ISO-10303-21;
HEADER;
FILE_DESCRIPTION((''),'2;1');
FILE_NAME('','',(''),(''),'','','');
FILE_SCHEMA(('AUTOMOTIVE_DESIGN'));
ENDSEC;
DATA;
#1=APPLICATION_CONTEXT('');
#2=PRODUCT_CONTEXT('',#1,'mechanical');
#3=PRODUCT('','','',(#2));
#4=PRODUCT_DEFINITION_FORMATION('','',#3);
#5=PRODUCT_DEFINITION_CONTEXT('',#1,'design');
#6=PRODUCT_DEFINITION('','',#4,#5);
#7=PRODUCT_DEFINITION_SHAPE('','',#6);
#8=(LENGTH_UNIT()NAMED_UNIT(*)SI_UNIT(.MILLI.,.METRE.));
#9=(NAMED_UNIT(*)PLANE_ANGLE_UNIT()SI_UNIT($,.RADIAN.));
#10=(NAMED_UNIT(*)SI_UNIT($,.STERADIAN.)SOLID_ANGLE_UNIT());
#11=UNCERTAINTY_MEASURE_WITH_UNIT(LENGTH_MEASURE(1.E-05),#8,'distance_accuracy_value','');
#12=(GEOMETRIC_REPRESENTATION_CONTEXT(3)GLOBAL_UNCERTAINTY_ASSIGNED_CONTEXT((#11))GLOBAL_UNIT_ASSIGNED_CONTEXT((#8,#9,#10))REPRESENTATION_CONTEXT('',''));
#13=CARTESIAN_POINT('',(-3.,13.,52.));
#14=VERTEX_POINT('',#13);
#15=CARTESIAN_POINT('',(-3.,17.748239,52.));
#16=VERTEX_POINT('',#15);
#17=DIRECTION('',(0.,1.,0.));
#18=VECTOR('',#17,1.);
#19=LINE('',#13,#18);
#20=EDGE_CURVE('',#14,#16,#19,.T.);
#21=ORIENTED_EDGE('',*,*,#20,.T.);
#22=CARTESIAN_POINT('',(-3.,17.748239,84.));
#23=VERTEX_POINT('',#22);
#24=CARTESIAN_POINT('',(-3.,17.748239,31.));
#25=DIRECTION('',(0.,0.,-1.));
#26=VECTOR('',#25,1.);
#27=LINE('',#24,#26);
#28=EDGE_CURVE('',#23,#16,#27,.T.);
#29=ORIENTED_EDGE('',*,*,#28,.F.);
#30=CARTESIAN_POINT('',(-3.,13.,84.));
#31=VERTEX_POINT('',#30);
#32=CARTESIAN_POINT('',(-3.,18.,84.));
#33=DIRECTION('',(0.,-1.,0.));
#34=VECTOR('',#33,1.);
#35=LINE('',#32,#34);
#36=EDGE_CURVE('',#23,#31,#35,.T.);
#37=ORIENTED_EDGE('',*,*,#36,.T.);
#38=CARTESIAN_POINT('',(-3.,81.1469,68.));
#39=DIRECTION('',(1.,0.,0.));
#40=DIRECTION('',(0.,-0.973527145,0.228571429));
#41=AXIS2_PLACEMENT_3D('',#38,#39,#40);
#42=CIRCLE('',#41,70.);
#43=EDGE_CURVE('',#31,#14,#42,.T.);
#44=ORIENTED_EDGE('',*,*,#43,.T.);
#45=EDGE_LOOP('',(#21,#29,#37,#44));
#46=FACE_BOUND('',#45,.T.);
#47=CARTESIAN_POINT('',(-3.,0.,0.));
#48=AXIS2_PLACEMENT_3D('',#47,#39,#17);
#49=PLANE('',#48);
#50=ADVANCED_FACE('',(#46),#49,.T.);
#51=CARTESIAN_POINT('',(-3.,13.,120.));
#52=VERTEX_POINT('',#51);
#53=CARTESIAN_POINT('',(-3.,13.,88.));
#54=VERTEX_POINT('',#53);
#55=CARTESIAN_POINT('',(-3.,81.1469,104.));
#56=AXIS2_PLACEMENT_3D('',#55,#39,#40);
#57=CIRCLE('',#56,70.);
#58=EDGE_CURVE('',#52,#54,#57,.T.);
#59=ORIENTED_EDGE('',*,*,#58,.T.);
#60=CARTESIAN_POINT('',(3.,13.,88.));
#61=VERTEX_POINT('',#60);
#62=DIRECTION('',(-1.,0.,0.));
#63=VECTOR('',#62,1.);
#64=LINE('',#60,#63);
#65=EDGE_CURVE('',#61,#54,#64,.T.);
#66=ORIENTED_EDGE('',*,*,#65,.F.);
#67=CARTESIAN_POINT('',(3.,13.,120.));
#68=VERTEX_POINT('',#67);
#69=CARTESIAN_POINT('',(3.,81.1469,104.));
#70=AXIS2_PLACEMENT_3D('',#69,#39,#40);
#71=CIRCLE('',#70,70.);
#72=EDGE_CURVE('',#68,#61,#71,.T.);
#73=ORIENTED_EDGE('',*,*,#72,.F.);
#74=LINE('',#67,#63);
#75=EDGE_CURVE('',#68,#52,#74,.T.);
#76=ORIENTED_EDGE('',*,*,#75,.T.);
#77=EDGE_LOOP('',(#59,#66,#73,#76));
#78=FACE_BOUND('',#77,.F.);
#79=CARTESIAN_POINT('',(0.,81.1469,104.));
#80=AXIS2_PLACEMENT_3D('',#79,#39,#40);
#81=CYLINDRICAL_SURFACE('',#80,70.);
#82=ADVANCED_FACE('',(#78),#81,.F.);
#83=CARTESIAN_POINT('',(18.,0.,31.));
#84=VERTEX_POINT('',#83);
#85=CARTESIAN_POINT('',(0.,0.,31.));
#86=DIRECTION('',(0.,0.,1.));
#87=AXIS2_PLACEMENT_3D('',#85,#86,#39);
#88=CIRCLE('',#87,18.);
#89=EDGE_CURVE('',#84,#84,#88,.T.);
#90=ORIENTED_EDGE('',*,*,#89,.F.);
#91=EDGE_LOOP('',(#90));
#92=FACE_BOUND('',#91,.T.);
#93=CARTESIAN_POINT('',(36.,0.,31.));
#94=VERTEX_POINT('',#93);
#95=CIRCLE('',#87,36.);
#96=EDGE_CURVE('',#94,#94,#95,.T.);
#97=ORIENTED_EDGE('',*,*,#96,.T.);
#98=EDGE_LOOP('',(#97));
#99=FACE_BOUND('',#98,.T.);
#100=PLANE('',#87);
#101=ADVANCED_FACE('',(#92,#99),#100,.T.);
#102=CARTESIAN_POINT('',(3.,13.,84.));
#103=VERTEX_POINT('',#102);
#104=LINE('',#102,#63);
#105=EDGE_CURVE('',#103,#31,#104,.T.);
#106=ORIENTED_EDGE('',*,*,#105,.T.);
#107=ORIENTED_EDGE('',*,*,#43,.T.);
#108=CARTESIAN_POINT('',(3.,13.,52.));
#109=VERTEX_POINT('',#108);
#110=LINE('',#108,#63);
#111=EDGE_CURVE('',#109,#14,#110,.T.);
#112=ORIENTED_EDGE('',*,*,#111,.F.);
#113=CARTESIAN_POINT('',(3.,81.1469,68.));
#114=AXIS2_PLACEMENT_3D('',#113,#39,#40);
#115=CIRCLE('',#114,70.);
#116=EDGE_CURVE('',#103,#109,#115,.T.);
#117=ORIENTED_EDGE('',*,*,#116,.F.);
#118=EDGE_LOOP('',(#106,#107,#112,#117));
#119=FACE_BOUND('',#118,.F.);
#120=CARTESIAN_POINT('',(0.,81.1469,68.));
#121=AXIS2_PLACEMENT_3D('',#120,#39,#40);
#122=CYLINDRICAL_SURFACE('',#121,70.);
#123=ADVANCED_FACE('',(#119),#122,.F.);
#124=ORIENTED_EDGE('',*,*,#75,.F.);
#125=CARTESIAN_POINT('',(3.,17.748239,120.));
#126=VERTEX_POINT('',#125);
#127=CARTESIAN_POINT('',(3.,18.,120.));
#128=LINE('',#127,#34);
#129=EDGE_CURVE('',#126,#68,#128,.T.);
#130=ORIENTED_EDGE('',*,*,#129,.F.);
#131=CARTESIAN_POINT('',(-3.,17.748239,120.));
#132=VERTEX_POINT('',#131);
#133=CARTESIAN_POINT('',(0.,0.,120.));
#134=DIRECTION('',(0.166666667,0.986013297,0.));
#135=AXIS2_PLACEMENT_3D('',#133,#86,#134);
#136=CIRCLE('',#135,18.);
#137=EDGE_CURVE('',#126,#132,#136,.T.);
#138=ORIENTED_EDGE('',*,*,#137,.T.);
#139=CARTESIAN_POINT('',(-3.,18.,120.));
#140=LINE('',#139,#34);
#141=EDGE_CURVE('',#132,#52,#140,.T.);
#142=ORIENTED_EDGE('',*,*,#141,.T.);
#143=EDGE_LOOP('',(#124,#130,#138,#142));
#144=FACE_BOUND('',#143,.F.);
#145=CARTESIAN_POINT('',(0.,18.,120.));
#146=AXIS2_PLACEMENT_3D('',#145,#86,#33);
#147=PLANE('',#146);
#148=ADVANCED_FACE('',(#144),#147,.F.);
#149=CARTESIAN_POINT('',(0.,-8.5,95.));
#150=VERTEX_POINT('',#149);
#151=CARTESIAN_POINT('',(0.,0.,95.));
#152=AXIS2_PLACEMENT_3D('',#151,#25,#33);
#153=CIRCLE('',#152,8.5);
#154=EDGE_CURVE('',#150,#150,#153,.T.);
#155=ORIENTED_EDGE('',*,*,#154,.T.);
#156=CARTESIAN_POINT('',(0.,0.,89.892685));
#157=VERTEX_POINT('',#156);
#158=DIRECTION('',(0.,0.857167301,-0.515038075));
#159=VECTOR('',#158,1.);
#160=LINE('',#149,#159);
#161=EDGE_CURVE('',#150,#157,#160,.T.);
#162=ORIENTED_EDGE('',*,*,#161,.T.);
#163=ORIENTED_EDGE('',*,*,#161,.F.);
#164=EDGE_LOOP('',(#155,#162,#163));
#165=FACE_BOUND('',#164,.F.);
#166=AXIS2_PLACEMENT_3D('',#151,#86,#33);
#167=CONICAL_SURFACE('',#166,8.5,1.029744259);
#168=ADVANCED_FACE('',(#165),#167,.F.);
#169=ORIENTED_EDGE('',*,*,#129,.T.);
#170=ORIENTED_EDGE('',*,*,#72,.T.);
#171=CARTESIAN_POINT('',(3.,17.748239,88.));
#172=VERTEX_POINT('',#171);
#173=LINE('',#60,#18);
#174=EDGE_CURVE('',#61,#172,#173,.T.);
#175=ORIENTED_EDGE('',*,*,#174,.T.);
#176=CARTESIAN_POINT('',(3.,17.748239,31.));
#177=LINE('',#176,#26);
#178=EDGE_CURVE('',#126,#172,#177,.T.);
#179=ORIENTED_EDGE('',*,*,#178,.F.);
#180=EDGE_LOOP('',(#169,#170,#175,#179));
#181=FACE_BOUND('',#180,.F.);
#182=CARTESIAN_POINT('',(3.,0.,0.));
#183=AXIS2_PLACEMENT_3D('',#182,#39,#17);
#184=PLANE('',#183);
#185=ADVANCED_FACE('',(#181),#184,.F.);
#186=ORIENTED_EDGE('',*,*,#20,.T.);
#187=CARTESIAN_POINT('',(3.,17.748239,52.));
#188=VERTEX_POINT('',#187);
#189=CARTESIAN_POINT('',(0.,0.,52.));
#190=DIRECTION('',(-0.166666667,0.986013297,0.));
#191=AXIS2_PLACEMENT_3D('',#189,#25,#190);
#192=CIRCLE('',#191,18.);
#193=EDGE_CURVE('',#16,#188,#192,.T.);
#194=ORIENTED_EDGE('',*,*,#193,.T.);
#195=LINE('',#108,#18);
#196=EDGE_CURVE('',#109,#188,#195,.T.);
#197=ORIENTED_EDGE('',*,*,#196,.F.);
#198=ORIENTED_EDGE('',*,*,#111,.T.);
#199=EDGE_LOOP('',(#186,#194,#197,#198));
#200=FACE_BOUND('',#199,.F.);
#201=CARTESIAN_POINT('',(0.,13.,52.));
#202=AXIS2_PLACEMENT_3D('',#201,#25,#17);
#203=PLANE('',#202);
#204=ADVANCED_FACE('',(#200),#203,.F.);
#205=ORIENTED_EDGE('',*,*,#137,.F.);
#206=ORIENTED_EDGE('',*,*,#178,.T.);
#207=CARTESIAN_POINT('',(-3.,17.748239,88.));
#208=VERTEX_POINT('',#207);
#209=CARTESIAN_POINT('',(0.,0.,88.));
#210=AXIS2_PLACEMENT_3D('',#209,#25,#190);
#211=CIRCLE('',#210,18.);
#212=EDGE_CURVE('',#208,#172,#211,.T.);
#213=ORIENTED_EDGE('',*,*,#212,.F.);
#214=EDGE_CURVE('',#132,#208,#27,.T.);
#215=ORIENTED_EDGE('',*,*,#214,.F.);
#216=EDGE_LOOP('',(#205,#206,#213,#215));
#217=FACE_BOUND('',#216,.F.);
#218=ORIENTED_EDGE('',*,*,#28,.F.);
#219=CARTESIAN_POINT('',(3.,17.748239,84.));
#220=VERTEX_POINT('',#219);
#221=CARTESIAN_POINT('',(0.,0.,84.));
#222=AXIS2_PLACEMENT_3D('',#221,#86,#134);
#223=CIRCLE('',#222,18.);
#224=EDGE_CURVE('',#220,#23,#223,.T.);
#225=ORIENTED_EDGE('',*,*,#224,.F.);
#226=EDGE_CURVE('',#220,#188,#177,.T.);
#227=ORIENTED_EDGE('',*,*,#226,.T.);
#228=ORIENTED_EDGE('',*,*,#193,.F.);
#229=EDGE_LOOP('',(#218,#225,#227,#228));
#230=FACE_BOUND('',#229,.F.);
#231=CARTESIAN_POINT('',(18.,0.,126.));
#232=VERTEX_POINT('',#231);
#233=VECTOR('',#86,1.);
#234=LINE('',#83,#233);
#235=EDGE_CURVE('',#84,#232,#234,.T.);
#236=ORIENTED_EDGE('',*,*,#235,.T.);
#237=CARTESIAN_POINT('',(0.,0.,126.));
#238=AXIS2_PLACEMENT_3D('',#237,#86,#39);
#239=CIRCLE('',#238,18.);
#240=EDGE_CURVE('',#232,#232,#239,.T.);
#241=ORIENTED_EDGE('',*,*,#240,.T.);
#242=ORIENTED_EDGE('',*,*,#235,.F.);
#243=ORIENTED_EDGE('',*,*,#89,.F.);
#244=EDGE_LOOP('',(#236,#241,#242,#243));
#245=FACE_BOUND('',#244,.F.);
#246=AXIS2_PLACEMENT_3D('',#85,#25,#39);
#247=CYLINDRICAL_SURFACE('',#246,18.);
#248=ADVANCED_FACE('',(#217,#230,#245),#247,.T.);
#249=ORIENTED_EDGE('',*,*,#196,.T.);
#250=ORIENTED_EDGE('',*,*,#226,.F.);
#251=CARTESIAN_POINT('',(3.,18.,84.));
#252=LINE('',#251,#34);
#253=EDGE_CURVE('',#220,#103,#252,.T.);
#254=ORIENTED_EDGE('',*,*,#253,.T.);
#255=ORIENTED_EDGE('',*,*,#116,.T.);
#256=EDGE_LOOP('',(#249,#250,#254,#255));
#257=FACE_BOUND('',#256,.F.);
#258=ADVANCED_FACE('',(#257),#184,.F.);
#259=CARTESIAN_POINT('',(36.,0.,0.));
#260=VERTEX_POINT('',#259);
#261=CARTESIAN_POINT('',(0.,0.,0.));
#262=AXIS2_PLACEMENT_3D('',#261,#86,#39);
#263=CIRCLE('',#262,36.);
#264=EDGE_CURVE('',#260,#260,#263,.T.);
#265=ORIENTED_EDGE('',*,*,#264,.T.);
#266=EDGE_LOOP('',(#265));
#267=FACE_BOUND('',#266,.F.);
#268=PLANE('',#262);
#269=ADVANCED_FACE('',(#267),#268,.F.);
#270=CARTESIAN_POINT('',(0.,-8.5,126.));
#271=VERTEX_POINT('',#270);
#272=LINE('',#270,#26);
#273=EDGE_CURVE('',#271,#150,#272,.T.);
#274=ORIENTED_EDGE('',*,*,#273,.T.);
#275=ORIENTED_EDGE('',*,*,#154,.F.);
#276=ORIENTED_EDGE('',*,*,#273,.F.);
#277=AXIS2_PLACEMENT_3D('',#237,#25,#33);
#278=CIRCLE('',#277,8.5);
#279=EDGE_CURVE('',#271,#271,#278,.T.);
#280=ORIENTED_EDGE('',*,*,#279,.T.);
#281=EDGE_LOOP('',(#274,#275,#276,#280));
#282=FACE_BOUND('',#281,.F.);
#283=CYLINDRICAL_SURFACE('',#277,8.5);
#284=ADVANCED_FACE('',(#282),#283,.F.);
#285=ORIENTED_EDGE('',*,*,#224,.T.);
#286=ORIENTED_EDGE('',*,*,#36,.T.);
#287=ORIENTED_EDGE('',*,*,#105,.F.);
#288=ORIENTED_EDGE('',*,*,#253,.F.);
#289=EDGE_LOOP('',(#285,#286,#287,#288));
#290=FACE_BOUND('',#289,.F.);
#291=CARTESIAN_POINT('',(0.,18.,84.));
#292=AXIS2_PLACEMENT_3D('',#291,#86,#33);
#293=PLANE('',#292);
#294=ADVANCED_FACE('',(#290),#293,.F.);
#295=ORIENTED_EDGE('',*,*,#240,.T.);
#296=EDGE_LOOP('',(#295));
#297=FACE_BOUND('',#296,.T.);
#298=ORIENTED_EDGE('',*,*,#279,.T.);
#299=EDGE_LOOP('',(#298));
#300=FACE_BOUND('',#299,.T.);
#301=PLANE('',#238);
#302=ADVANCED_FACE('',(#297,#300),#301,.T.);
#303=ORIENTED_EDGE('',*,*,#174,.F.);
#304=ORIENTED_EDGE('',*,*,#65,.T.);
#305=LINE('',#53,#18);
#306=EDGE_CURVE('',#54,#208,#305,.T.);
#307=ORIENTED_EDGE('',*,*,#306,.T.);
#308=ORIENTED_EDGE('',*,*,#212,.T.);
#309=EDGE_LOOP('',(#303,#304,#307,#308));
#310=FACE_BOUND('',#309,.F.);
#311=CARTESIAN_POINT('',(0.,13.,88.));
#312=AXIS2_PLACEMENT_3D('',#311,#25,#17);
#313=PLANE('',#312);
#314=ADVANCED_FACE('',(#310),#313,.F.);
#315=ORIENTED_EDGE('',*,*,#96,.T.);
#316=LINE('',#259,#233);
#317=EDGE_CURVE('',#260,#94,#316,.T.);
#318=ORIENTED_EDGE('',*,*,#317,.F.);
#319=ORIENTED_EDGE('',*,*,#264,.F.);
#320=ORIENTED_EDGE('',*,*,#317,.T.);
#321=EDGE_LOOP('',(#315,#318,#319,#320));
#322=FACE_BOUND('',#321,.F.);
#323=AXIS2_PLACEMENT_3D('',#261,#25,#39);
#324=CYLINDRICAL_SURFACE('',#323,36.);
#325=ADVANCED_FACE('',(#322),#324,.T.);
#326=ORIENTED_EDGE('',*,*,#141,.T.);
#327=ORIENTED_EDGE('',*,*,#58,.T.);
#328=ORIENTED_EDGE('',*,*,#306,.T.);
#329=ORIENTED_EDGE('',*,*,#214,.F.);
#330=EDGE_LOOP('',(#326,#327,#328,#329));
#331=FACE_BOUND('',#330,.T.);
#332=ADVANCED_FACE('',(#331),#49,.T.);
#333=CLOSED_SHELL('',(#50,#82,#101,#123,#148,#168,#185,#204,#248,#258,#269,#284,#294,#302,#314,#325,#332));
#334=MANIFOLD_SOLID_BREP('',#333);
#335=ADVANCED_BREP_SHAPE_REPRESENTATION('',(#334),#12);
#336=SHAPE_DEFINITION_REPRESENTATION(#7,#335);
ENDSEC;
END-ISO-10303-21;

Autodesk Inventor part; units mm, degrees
ref_plane "YZ Plane" through (0, 0, 0) normal (1, 0, 0) x (0, 1, 0)
ref_plane "XZ Plane" through (0, 0, 0) normal (0, 1, 0) x (-1, 0, 0)
ref_plane "XY Plane" through (0, 0, 0) normal (0, 0, 1) x (1, 0, 0)
sketch "Эскиз1" plane through (0, 0, 0) normal (0, 0, 1) x (1, 0, 0)
  circle A0 centre (0, 0) radius 36
  dimension "d0" = 72
extrude "Выдавливание1" add sketch "Эскиз1" along normal blind 31
sketch "Эскиз2" plane through (0, 0, 31) normal (0, 0, 1) x (1, 0, 0)
  circle A0 centre (0, 0) radius 18
  dimension "d3" = 36
extrude "Выдавливание2" add sketch "Эскиз2" along normal blind 95
sketch "Эскиз3" plane through (0, 0, 126) normal (0, 0, 1) x (1, 0, 0)
  point P0 (0, -47.75)
  point P1 (0, 0)
hole "Отверстие1" at (0, 0, 126) direction (0, 0, -1) diameter 17 depth 31 tip angle 118
sketch "Эскиз4" plane through (0, 0, 0) normal (1, 0, 0) x (0, 1, 0)
  line L0 (18, 31) -> (18, 126) projected
  line L1 (18, 120) -> (18, 88)
  line L2 (18, 126) -> (-18, 126) projected
  line L3 (18, 120) -> (13, 120)
  line L4 (13, 120) -> (13, 88)
  line L5 (13, 88) -> (18, 88)
  arc A0 (13, 120) -> (13, 88) centre (81.1469, 104) ccw
  line L6 (18, 84) -> (18, 52)
  line L7 (18, 84) -> (13, 84)
  line L8 (13, 84) -> (13, 52)
  line L9 (13, 52) -> (18, 52)
  arc A1 (13, 84) -> (13, 52) centre (81.1469, 68) ccw
  point P0 (0, 0)
  point P1 (19, 127)
  dimension "d13" = 6
  dimension "d14" = 32
  dimension "d15" = 5
  dimension "d16" = 70
  dimension "d17" = 32
  dimension "d18" = 5
  dimension "d19" = 70
  dimension "d20" = 4
extrude "Выдавливание3" cut sketch "Эскиз4" against normal mid plane 6
properties part number "Носок" material "Сталь, высокопрочная, низколегированная"
